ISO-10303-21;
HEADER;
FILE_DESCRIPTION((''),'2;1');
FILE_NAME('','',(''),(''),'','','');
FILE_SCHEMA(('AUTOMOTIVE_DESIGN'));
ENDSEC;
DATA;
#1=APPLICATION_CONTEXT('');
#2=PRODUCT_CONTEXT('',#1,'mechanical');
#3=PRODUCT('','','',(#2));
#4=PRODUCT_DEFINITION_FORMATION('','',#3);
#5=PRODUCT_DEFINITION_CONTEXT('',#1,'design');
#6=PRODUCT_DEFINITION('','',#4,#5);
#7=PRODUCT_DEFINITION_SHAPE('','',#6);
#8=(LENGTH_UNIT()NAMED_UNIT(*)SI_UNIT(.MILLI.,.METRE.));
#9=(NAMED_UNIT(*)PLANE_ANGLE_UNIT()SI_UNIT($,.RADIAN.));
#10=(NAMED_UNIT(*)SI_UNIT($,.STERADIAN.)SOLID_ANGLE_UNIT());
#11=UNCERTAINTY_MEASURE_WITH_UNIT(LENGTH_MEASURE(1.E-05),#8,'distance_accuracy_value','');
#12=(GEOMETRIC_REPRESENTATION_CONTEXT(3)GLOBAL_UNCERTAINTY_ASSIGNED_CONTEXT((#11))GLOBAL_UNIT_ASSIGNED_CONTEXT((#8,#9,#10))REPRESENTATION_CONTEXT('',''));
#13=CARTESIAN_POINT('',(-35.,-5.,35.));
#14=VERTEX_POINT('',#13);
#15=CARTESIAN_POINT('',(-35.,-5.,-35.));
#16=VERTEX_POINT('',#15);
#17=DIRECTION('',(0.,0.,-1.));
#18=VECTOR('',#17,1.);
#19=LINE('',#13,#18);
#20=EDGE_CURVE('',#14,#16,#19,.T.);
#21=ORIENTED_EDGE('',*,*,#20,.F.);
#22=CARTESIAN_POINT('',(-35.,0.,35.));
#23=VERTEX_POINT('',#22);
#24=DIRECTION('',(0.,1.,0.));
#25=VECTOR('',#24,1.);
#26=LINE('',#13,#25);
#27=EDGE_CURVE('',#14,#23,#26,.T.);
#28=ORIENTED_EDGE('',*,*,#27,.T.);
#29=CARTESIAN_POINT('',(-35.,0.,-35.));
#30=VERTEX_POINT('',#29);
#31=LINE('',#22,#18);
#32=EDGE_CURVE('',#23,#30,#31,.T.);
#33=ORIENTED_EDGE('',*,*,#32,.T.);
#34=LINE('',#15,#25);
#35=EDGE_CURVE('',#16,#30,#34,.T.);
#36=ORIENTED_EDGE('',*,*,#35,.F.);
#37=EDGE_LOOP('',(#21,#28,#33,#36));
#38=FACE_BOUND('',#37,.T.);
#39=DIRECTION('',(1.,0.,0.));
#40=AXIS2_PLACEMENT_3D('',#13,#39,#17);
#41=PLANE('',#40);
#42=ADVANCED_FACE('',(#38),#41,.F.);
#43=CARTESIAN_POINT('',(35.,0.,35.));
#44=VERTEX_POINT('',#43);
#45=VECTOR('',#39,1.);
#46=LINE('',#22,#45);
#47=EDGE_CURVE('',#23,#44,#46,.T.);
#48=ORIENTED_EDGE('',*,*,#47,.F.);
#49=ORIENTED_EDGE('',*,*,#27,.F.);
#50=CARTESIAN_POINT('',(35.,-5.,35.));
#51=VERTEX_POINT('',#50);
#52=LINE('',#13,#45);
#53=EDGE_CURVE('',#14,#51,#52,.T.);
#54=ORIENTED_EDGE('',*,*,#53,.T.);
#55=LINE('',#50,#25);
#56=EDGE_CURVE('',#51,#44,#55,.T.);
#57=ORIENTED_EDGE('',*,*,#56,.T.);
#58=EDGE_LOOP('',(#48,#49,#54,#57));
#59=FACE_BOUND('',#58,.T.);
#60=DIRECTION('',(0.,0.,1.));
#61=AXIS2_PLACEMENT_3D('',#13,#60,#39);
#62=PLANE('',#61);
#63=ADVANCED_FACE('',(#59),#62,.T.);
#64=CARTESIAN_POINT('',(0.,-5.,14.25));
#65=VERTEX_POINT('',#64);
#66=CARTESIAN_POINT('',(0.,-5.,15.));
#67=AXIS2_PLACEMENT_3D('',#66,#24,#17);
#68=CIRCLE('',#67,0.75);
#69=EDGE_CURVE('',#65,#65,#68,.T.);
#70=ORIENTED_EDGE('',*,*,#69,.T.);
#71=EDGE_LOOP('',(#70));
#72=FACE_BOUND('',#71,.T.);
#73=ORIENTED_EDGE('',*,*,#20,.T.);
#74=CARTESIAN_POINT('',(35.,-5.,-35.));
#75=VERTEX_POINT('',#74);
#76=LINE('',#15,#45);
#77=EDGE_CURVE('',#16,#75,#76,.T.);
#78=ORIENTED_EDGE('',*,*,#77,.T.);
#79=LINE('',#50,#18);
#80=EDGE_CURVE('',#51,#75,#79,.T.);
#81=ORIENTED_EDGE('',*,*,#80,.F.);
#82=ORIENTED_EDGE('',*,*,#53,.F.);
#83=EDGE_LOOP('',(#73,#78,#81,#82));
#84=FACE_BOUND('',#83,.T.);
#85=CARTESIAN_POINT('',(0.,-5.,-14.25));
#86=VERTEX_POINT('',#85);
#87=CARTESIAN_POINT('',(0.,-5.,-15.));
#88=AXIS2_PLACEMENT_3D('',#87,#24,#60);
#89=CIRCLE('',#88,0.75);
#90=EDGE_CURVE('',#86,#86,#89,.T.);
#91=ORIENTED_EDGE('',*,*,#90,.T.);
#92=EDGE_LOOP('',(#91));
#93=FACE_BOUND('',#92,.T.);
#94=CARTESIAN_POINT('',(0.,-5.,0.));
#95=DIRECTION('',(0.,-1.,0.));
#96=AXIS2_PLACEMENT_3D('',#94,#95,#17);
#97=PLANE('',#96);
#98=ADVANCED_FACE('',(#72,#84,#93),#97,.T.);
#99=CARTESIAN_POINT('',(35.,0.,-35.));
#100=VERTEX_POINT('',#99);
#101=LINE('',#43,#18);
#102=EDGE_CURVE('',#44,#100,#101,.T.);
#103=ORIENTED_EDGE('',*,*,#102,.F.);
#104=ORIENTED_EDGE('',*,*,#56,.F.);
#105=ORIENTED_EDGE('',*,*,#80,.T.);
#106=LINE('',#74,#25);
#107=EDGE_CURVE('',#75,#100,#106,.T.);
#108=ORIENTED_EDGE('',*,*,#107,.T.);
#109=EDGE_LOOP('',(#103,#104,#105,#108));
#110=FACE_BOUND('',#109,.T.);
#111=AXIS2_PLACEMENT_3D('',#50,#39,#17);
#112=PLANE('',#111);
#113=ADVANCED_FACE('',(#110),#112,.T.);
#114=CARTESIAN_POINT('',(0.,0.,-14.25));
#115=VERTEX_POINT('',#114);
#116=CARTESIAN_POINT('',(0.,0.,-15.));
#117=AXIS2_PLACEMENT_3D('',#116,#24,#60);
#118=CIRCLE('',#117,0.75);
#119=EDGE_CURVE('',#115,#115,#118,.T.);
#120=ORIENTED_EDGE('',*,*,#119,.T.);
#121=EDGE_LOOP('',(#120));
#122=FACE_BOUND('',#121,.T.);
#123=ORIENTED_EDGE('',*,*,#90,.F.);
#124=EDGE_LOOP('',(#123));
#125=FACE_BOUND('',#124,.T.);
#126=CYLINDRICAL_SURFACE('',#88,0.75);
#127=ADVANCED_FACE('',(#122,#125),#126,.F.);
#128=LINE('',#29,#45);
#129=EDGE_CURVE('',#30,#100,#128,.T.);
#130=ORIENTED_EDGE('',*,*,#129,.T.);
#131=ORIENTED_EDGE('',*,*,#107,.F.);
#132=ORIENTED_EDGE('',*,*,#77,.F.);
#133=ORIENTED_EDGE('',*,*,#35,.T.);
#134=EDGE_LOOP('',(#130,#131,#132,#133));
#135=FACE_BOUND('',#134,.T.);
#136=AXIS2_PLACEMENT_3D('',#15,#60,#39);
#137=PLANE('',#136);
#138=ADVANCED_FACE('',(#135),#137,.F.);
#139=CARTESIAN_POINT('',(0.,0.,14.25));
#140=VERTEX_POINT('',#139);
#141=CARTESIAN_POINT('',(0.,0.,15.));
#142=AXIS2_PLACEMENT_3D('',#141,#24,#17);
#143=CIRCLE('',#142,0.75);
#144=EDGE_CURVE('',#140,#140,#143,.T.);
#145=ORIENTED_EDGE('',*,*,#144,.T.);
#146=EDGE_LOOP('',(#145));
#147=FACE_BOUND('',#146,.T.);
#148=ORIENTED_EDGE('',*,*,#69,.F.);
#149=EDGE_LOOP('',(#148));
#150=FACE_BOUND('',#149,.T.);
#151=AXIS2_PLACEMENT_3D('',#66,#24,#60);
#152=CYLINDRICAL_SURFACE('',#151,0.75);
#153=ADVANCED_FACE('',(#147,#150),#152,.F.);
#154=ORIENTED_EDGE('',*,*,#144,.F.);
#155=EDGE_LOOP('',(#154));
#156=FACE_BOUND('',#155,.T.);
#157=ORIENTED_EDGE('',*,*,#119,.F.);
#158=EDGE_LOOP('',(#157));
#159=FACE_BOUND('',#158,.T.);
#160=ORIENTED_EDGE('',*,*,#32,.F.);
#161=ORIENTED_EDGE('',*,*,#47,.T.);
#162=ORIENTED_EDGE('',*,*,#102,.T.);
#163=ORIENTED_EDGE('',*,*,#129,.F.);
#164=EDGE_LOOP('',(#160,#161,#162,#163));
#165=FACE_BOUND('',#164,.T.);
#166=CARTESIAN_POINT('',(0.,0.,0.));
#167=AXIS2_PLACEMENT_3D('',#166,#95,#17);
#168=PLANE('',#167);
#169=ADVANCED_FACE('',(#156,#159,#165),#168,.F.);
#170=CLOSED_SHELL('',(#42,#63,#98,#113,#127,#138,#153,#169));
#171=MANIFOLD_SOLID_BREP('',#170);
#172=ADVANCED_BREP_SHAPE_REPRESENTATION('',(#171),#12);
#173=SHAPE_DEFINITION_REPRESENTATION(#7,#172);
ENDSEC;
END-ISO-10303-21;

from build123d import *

# Parameters (mm, degrees)
SKETCH1_W           = 70
SKETCH1_H           = 70
BOSS_EXTRUDE1_DEPTH = 5
SKETCH7_R           = 0.75
CUT_EXTRUDE1_DEPTH  = 6


with BuildPart() as part:
    # Sketch1 → Boss-Extrude1 (new body)
    with BuildSketch(Plane(origin=(0, 0, 0), x_dir=(1, 0, 0), z_dir=(0, 1, 0))):
        Rectangle(SKETCH1_W, SKETCH1_H)
    extrude(amount=-BOSS_EXTRUDE1_DEPTH)

    # Sketch7 → Cut-Extrude1 (cut, through all)
    with BuildSketch(Plane(origin=(0, 0, 0), x_dir=(1, 0, 0), z_dir=(0, 1, 0))):
        with Locations((0, 15)):
            Circle(SKETCH7_R)
        with Locations((0, -15)):
            Circle(SKETCH7_R)
    extrude(amount=-CUT_EXTRUDE1_DEPTH, mode=Mode.SUBTRACT)


solid = part.part
